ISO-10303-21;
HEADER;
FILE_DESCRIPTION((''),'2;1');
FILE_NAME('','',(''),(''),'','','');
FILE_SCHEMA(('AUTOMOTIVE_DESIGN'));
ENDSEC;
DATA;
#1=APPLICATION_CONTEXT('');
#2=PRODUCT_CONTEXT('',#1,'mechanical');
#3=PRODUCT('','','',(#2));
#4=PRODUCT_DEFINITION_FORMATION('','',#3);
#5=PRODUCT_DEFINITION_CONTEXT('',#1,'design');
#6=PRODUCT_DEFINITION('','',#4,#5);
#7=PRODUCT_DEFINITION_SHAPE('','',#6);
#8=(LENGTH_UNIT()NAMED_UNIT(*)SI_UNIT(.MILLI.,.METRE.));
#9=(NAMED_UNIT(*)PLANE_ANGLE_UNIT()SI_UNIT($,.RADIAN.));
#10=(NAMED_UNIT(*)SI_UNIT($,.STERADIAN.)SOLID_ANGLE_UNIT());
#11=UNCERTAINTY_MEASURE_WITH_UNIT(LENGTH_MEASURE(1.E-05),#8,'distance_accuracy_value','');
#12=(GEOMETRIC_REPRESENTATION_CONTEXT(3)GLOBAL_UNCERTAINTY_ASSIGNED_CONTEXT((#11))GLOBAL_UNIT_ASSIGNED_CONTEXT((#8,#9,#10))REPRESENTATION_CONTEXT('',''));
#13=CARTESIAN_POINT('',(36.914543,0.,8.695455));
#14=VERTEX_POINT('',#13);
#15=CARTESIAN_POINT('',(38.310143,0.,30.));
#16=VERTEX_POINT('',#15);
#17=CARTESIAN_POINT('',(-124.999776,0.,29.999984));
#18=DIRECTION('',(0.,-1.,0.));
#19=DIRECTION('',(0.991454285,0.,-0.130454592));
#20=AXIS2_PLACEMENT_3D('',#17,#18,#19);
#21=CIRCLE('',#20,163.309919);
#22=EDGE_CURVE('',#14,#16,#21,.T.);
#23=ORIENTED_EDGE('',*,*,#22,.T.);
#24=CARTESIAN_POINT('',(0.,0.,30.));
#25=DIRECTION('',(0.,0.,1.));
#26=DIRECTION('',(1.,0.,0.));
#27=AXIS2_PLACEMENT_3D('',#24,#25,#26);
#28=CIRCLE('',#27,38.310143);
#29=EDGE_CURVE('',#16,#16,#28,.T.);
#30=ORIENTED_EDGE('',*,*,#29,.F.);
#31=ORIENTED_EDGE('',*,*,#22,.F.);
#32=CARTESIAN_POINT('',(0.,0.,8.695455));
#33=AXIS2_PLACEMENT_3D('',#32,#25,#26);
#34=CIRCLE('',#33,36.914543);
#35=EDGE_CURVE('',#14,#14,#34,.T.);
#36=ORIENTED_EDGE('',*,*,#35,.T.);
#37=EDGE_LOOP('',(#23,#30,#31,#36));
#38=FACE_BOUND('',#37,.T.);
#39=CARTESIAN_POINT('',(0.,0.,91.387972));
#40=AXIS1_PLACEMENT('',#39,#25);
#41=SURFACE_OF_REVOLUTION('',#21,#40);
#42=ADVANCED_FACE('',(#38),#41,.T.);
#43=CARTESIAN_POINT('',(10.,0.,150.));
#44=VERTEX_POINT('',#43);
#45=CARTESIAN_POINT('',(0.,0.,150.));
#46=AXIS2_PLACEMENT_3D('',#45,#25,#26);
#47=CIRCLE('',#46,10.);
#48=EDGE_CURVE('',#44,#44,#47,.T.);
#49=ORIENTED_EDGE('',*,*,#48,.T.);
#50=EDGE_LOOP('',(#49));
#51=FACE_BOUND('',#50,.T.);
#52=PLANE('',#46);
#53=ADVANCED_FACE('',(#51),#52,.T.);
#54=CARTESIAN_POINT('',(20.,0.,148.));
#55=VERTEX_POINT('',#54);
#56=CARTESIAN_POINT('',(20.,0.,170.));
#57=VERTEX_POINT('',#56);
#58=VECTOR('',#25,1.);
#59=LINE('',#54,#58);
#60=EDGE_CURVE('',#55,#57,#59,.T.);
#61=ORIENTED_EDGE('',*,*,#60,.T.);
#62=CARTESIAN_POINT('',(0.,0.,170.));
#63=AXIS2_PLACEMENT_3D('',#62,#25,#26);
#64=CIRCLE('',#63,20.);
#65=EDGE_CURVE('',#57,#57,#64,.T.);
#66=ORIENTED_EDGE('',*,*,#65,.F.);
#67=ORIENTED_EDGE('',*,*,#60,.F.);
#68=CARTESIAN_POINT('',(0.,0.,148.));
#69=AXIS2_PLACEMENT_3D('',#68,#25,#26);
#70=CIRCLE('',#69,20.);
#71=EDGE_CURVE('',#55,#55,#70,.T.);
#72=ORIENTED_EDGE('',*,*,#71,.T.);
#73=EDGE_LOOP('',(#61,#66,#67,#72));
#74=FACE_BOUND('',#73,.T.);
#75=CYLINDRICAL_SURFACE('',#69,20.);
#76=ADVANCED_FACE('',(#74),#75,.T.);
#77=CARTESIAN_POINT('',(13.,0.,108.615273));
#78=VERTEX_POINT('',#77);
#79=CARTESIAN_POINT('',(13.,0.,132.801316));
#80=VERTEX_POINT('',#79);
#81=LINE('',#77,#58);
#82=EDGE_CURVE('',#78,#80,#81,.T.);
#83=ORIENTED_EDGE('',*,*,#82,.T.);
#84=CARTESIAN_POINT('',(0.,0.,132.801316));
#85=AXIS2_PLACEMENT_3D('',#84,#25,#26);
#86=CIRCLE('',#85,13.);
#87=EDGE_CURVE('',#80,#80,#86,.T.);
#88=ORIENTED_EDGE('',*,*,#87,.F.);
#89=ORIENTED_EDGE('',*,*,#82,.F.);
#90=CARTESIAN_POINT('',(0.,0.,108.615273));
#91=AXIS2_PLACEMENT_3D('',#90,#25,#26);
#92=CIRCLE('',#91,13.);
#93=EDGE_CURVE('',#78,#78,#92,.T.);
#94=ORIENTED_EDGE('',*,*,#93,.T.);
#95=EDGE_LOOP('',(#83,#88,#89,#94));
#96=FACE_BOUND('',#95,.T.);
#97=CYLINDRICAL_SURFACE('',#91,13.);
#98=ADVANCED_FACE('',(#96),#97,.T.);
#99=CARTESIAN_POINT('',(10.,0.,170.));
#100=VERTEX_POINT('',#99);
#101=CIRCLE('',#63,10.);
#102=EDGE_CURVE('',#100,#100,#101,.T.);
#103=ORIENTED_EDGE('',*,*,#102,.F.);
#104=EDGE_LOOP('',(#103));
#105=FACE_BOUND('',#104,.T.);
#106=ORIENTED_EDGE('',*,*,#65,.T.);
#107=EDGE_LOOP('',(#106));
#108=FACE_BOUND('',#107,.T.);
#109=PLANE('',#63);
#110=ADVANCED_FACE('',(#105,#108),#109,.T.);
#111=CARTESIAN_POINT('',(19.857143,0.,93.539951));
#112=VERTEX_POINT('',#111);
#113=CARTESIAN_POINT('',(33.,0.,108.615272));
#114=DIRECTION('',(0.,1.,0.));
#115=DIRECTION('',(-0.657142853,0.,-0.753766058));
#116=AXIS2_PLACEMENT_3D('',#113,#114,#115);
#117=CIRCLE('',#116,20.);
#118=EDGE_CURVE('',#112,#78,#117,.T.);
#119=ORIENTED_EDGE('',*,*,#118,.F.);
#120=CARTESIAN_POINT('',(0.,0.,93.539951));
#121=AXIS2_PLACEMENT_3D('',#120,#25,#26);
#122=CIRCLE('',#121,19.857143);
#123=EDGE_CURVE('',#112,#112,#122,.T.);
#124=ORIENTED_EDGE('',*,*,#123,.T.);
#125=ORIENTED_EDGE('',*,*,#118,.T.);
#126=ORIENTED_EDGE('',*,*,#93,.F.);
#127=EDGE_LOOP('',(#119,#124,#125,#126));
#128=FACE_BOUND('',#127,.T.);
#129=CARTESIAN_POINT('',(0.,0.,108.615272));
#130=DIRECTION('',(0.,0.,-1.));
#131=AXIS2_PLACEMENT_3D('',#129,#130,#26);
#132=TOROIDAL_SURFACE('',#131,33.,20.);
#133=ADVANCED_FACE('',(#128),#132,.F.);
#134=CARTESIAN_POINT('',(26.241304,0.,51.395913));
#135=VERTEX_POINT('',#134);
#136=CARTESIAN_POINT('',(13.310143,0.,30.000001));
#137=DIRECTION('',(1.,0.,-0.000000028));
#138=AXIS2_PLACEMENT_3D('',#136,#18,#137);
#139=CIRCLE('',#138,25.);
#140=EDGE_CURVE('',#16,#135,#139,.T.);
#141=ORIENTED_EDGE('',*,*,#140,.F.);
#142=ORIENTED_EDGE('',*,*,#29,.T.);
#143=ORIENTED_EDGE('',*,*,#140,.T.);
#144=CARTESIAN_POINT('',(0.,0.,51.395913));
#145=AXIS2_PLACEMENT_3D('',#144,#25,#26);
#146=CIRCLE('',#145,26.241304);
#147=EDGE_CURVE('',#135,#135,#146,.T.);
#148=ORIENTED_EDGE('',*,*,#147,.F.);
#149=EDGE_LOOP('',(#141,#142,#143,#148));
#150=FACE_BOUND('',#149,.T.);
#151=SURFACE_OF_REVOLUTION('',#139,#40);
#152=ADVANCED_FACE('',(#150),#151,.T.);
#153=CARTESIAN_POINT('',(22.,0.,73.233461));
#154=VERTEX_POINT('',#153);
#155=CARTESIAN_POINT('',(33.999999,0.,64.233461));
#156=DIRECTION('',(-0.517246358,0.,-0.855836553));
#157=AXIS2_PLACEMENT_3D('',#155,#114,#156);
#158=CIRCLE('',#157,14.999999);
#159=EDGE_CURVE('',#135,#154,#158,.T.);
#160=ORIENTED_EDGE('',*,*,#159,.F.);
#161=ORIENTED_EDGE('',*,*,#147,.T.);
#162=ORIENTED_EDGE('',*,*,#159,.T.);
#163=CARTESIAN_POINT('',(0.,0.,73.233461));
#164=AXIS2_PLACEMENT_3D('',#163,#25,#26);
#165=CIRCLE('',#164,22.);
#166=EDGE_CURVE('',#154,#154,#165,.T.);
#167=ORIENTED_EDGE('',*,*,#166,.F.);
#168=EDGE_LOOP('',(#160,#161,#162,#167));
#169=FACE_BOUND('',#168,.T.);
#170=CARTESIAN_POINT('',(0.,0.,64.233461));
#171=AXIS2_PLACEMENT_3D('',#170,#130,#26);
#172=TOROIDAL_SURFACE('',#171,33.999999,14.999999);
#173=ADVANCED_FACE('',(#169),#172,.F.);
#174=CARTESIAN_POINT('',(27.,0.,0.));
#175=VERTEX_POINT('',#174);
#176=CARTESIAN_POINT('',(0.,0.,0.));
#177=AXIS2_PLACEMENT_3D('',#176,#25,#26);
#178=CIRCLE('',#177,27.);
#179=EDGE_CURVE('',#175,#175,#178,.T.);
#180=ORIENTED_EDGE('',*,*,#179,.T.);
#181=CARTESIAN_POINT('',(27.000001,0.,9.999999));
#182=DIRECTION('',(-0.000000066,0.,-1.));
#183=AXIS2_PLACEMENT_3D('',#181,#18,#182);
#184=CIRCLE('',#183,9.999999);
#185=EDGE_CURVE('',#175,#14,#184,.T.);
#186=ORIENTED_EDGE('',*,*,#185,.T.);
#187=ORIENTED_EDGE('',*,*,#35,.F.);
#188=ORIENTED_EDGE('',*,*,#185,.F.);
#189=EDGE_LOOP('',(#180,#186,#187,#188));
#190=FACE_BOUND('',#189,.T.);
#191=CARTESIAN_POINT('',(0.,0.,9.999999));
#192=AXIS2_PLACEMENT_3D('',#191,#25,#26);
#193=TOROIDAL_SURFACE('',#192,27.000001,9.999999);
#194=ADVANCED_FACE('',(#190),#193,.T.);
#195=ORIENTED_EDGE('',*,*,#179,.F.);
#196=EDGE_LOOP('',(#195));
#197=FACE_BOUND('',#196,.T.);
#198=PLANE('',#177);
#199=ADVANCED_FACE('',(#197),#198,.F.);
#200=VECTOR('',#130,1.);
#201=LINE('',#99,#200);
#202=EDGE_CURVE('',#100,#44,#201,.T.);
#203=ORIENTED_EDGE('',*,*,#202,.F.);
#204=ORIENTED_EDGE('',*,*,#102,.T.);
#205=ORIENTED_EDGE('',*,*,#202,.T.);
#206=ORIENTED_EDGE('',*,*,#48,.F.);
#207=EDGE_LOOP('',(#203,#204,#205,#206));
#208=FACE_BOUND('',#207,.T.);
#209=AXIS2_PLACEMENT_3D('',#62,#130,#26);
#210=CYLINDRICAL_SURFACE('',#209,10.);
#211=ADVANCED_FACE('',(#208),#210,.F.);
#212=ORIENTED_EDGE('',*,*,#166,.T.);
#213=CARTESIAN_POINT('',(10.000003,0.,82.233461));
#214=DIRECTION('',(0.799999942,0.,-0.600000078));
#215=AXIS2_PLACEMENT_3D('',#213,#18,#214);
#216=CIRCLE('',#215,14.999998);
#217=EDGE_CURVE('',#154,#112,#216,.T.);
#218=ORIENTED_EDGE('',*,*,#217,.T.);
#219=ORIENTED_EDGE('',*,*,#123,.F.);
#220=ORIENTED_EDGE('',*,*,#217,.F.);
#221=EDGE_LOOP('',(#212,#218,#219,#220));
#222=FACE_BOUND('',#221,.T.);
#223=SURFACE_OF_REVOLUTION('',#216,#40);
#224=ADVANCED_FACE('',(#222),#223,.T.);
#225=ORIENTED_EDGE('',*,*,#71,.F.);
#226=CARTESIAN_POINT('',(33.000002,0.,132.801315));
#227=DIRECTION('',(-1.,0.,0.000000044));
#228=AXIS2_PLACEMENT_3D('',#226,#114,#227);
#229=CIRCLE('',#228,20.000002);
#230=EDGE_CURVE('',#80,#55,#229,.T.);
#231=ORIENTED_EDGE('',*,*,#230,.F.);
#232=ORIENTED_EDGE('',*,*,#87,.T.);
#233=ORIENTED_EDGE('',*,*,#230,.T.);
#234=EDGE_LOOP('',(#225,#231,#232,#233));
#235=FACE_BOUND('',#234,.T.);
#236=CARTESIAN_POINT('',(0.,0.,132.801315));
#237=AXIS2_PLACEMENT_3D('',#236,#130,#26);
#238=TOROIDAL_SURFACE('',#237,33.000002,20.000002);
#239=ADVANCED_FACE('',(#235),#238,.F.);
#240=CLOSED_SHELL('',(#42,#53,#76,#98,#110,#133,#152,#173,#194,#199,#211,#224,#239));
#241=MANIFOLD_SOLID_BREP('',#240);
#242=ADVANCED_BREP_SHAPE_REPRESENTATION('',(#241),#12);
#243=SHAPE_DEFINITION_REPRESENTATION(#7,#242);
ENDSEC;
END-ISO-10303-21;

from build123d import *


with BuildPart() as f1:
    # F0 (on Front) → F1 (revolve)
    with BuildSketch(Plane.XZ):
        with BuildLine():
            Line((0, 150), (0, 0))
            Line((0, 0), (27, 0))
            ThreePointArc((27, 0), (33.59373, 2.48184), (36.914543, 8.695455))
            ThreePointArc((36.914543, 8.695455), (37.96087, 19.324896), (38.310143, 30))
            ThreePointArc((38.310143, 30), (35.084888, 42.282528), (26.241304, 51.395913))
            ThreePointArc((26.241304, 51.395913), (19.275152, 61.37359), (22, 73.233461))
            ThreePointArc((22, 73.233461), (24.917174, 83.807606), (19.857143, 93.539951))
            ThreePointArc((19.857143, 93.539951), (14.79482, 100.334486), (13, 108.615273))
            Line((13, 108.615273), (13, 132.801316))
            ThreePointArc((13, 132.801316), (14.834098, 141.167916), (20, 148))
            Line((20, 148), (20, 170))
            Line((20, 170), (10, 170))
            Line((10, 170), (10, 150))
            Line((10, 150), (0, 150))
        make_face()
    revolve(axis=Axis((0, 0, 91.387972), (0, 0, 1)))


solid = f1.part
